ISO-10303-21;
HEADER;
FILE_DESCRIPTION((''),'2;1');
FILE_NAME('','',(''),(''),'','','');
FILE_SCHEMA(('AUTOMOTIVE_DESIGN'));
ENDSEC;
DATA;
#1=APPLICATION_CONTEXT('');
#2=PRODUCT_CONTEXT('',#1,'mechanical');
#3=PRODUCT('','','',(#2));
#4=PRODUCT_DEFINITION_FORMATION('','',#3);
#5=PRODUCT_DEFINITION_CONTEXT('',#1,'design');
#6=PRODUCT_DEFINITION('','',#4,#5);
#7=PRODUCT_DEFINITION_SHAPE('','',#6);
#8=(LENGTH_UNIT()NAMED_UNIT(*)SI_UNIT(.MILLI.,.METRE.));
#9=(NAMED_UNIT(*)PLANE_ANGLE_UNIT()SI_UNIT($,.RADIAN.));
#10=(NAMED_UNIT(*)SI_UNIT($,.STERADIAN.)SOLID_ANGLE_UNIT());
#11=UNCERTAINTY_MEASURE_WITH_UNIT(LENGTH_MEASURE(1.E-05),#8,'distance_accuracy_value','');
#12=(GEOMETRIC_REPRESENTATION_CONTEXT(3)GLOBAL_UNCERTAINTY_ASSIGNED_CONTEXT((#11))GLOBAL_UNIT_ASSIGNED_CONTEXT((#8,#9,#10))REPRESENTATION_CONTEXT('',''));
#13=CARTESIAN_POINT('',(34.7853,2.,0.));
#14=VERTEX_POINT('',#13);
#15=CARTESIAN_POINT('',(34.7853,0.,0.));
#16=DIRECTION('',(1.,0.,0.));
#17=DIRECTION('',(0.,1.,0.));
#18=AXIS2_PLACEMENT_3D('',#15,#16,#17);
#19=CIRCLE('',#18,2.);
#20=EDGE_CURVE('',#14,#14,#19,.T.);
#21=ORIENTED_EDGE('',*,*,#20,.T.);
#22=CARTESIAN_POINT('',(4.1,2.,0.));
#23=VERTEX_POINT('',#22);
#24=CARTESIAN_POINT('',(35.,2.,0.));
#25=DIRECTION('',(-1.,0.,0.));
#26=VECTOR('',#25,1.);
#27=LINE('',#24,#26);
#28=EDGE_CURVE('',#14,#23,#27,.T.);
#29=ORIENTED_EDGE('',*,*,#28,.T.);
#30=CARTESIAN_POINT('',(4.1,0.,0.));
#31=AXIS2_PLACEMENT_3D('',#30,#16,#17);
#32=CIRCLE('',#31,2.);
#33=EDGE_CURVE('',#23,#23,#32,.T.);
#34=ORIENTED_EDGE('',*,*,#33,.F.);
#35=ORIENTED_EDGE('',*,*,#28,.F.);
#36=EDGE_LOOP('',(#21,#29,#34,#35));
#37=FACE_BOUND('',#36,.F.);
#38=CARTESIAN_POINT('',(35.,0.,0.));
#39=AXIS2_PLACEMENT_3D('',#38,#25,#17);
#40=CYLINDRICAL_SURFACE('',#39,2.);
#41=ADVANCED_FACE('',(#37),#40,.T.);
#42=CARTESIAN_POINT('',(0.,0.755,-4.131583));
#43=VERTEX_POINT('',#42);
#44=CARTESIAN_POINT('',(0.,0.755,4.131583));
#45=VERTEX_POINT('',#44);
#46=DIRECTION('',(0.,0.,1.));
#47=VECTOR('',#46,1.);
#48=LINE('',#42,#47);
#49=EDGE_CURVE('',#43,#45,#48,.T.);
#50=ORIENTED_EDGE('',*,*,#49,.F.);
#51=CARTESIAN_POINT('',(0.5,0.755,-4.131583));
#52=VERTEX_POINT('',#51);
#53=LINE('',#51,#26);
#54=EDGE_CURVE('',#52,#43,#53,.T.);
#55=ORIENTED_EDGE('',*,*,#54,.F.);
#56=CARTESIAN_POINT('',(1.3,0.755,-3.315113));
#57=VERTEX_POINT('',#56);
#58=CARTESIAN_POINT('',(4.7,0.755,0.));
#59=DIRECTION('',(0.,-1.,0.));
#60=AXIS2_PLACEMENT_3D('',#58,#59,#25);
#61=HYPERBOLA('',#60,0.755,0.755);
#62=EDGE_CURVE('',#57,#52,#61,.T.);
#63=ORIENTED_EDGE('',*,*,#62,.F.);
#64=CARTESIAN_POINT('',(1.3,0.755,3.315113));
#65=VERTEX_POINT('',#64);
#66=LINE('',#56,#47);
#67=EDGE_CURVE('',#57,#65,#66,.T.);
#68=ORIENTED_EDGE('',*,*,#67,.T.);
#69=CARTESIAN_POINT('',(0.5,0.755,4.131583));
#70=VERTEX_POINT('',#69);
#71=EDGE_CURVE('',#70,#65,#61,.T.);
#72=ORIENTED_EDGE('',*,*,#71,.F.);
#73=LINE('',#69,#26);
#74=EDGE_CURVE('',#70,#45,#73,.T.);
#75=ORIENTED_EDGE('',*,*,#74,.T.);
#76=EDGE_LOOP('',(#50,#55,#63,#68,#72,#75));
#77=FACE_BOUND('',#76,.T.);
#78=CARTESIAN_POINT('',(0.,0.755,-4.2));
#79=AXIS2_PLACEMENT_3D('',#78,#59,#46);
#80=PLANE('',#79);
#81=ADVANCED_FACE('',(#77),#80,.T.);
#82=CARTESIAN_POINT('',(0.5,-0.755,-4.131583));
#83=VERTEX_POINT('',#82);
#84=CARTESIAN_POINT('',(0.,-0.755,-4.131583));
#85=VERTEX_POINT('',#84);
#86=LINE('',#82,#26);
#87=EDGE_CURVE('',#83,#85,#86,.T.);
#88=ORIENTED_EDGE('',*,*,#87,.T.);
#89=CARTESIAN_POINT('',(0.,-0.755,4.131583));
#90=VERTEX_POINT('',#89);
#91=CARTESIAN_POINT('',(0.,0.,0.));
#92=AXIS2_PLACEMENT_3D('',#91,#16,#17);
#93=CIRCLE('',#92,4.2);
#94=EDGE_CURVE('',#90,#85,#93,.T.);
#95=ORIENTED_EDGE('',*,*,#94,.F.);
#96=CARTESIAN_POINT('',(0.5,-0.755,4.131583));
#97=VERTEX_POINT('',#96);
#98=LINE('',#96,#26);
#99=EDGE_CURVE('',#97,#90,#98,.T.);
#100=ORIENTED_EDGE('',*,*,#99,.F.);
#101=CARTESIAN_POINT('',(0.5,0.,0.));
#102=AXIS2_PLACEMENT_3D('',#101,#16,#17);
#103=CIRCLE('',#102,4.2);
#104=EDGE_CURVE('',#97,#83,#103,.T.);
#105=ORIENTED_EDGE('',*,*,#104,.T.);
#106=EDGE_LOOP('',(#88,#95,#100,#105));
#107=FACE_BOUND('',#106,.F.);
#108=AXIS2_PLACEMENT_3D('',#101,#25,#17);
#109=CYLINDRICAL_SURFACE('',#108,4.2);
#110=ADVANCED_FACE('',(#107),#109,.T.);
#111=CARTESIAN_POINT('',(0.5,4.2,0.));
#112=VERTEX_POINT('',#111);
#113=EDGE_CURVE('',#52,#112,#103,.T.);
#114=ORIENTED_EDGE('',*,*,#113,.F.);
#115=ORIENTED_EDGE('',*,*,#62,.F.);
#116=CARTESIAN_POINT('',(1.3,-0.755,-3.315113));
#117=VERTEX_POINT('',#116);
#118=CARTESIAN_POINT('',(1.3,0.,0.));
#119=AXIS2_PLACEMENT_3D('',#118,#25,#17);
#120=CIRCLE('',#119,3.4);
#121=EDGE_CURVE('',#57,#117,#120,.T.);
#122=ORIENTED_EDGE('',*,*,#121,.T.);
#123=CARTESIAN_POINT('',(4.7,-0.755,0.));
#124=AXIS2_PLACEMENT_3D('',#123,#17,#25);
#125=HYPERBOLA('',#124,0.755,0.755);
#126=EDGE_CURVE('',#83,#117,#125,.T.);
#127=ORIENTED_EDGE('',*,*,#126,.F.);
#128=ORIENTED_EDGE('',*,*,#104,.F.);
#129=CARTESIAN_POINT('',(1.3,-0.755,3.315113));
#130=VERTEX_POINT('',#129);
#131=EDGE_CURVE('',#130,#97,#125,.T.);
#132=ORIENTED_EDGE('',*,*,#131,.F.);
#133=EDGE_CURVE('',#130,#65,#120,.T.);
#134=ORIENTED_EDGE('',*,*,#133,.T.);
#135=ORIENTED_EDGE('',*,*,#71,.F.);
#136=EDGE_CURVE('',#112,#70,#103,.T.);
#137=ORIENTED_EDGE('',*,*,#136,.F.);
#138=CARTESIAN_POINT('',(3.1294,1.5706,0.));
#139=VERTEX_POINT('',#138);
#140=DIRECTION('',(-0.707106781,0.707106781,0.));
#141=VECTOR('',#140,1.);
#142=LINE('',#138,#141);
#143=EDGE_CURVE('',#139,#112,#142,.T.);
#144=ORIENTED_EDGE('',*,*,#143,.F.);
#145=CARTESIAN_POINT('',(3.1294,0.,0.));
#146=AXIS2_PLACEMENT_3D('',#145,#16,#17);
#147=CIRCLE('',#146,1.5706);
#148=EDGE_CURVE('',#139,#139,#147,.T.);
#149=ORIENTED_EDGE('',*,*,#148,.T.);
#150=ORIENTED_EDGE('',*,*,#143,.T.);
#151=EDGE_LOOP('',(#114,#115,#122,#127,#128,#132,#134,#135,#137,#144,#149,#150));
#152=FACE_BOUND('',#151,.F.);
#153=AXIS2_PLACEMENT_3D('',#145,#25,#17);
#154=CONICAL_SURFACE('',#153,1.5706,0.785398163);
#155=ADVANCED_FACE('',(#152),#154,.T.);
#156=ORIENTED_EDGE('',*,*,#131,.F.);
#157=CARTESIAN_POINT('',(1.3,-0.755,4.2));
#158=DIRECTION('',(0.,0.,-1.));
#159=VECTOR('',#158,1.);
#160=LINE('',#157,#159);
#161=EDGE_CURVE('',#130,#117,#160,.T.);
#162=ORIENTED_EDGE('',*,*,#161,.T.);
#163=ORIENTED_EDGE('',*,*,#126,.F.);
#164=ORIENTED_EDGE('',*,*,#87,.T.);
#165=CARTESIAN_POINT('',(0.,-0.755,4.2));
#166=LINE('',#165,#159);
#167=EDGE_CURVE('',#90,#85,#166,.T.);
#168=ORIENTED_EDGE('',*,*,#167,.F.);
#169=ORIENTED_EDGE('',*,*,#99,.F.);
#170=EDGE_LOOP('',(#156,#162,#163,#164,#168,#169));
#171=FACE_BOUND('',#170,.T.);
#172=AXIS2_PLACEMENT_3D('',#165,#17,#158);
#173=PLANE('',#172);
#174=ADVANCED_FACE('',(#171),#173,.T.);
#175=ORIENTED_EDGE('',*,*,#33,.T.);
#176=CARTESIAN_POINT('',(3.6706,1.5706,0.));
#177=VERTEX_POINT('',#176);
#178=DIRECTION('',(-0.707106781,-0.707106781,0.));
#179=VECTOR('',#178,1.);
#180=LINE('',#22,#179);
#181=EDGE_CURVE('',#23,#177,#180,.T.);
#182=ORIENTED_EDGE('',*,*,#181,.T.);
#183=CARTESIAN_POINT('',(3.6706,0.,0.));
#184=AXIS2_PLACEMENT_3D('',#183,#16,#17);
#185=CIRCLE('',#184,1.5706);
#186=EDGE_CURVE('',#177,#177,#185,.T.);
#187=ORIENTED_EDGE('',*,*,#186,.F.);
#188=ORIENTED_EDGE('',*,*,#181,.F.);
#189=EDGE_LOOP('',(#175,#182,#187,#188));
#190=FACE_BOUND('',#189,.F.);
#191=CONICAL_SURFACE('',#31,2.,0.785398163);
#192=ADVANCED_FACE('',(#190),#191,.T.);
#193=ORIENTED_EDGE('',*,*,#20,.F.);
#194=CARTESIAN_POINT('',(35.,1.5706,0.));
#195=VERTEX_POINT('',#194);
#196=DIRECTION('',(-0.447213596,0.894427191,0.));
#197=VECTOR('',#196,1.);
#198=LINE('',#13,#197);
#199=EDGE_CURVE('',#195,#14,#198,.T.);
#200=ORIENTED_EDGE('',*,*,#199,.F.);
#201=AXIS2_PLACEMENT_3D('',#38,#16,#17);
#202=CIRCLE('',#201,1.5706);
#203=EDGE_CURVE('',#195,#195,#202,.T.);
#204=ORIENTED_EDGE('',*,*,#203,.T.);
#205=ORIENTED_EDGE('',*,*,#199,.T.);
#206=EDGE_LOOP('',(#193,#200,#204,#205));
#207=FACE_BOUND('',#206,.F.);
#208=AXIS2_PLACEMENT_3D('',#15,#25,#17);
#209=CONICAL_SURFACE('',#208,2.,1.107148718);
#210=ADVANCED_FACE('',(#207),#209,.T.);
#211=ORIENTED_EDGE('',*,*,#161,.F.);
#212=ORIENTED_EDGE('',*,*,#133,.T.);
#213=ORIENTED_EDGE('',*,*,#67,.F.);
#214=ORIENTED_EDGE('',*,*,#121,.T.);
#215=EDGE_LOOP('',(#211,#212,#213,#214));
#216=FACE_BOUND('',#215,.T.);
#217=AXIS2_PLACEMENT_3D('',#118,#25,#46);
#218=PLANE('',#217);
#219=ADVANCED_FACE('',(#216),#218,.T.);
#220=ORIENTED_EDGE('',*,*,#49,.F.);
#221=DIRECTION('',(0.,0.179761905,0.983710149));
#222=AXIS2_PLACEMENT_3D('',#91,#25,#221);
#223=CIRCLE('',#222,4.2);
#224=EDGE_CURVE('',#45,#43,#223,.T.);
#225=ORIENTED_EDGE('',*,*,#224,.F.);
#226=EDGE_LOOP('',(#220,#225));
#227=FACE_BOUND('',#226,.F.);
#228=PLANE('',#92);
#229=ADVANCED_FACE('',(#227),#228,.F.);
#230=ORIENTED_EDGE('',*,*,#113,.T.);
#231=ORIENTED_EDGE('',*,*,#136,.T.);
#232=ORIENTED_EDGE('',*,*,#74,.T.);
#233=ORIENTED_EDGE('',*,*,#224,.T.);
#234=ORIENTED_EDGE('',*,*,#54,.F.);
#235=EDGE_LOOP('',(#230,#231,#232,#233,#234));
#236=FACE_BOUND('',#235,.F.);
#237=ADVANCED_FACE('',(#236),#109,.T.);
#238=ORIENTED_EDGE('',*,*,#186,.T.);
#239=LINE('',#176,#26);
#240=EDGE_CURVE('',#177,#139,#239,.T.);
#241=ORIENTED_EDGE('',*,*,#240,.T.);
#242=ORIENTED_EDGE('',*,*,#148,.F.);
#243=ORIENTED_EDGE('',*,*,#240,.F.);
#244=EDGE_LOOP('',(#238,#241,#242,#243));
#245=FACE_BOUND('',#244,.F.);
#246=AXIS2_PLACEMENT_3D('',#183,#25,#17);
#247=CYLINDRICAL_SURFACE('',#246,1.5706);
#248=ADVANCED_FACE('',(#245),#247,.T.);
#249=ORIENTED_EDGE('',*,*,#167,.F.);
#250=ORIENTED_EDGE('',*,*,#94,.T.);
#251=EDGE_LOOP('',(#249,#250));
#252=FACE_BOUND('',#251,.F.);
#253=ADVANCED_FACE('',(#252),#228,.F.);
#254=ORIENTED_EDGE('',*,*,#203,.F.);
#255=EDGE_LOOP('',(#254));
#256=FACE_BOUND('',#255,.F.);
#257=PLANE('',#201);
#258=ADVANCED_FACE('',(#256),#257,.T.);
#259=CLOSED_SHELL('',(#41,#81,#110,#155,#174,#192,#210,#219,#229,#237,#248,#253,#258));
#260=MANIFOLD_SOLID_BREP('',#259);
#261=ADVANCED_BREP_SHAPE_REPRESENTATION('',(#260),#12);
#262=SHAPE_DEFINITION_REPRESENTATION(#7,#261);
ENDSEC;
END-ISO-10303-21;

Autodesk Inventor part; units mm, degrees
ref_plane "YZ Plane" through (0, 0, 0) normal (1, 0, 0) x (0, 1, 0)
ref_plane "XZ Plane" through (0, 0, 0) normal (0, 1, 0) x (-1, 0, 0)
sketch "Szkic1" plane through (0, 0, 0) normal (0, 0, 1) x (1, 0, 0)
  line L0 (0, 0) -> (35, 0)
  line L1 (35, 0) -> (35, 2)
  line L2 (35, 2) -> (4.1, 2)
  line L3 (4.1, 2) -> (3.6706, 1.5706)
  line L4 (3.6706, 1.5706) -> (3.1294, 1.5706)
  line L5 (3.1294, 1.5706) -> (0.5, 4.2)
  line L6 (0.5, 4.2) -> (0, 4.2)
  line L7 (0, 4.2) -> (0, 0)
  line L8 (4.1, 2) -> (2.7, 2) construction
  line L9 (-7, 0) -> (42, 0) projected
  line L10 (0, 5.04) -> (0, -0.84) projected
  dimension "d0" = 35
  dimension "d1" = 45
  dimension "d2" = 0.4294
  dimension "d3" = 30.9
  dimension "d4" = 2.7
  dimension "d5" = 3.1412
  dimension "d6" = 4
  dimension "d7" = 8.4
revolve "Bryła" add sketch "Szkic1" angle 360 about axis through (0, 0, 0) along (1, 0, 0)
sketch "Szkic2" plane through (0, 0, 0) normal (-1, 0, 0) x (0, 0, 1)
  line L0 (4.2, -0.755) -> (-4.2, -0.755)
  line L1 (-4.2, -0.755) -> (-4.2, 0.755)
  line L2 (-4.2, 0.755) -> (4.2, 0.755)
  line L3 (4.2, 0.755) -> (4.2, -0.755)
  line L4 (0, 0.755) -> (0, -0.755) construction
  line L5 (-4.2, 0) -> (4.2, 0) construction
  line L6 (0, 4.2) -> (0, 0) projected
  dimension "d15" = 1.51
  dimension "d16" = 8.4
extrude "Szczelina" cut sketch "Szkic2" against normal blind 1.3
thread "Gwint" size "M4x0.7" class "6g" standard "ISO Metric profile" length 30.9
chamfer "Faza1" distance 0.4294 distance2 0.2147 1 edges at (35, -2, 0) measured on face at (35, 0.6473, -0.1595)
ref_plane "Work Plane1" through (33.575, 0, 0) normal (0, 0, -1) x (1, 0, 0)
equation "\"d0\" = NLG"
equation "\"d1\" = 0.5 * SEWI"
equation "\"d2\" = GAL"
equation "\"d3\" = GEL"
equation "\"d4\" = KOH"
equation "\"d5\" = BDM"
equation "\"d6\" = GD"
equation "\"d7\" = KOD"
equation "\"d15\" = SBR"
equation "\"d16\" = KOD"
equation "\"d8\" = STI"
equation "\"d10\" = GEL"
equation "\"d12\" = -0.5 * SPD + 0.5 * GD"
equation "\"d13\" = 0.5 * GAL"
equation "\"NLG\" = 35"
equation "\"GAL\" = 0.61345 * PTC"
equation "\"GEL\" = 30.9"
equation "\"KOH\" = 2.7"
equation "\"KOD\" = 8.4"
equation "\"SEWI\" = 90deg"
equation "\"BDM\" = NND - 1.2269 * PTC"
equation "\"GD\" = NND"
equation "\"SBR\" = 1.51"
equation "\"STI\" = 1.3"
equation "\"SPD\" = NND - 1.2269 * PTC"
equation "\"GUL\" = 0.61345 * PTC"
equation "\"PTC\" = 0.7"
equation "\"EPV\" = 4.7"
equation "\"THREADDIA\" = 4"
equation "\"TOA\" = 30deg"
equation "\"NND\" = 4"
equation "\"GD1\" = THREADDIA - 1.2269 * PTC"
properties part number "ISO 2009 - M4 x 35" material "Stal nierdzewna 440C"
